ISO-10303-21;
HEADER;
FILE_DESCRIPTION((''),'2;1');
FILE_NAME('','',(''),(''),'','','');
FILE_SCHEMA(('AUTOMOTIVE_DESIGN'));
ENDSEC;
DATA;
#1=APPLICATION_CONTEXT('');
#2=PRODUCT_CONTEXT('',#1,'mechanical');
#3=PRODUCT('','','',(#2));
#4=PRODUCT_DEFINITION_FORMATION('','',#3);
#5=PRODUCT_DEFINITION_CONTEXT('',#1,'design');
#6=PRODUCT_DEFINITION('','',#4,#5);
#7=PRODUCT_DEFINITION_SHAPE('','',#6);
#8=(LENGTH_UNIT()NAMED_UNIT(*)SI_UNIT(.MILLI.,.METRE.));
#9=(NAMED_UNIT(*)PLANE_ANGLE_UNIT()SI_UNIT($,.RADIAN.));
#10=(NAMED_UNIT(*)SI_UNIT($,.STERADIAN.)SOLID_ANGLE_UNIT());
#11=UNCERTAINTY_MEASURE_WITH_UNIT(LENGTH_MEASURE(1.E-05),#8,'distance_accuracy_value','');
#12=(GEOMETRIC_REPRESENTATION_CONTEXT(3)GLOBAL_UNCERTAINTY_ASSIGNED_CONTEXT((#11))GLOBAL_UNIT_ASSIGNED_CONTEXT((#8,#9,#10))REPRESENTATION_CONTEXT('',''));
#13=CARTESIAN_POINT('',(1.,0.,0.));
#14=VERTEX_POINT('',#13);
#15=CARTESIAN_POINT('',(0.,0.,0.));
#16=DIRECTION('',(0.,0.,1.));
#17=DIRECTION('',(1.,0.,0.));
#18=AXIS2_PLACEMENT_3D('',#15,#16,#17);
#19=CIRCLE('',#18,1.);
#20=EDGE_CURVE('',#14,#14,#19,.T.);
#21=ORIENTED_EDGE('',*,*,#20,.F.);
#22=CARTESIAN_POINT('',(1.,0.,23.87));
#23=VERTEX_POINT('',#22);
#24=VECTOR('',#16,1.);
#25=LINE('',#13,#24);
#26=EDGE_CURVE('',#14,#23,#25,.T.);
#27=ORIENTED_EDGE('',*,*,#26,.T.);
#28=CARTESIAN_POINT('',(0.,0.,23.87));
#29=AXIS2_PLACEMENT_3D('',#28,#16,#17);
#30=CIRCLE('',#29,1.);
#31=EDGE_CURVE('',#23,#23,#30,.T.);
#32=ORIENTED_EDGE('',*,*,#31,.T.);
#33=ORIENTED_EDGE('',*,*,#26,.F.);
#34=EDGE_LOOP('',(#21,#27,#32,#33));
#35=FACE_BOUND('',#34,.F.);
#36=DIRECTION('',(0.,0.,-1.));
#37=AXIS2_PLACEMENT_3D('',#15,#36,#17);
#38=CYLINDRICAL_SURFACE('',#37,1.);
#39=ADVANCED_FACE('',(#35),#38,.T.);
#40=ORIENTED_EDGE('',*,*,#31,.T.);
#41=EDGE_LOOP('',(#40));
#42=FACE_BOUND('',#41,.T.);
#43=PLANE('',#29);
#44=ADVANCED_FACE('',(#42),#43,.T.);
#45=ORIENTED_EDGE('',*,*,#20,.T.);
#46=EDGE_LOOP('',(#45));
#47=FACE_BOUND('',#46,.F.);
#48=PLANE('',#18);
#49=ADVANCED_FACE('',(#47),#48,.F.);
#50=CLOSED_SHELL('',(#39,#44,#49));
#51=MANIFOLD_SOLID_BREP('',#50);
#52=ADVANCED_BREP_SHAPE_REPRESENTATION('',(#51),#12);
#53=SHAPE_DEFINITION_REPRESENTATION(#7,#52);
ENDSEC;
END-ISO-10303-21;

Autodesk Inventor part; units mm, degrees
ref_plane "YZ Plane" through (0, 0, 0) normal (1, 0, 0) x (0, 1, 0)
ref_plane "XZ Plane" through (0, 0, 0) normal (0, 1, 0) x (-1, 0, 0)
ref_plane "XY Plane" through (0, 0, 0) normal (0, 0, 1) x (1, 0, 0)
sketch "Esquisse1" plane through (0, 0, 0) normal (0, 0, 1) x (1, 0, 0)
  circle A0 centre (0, 0) radius 1
  dimension "d0" = 2
extrude "Extrusion1" add sketch "Esquisse1" along normal blind 23.87
properties part number "Petite barre"
